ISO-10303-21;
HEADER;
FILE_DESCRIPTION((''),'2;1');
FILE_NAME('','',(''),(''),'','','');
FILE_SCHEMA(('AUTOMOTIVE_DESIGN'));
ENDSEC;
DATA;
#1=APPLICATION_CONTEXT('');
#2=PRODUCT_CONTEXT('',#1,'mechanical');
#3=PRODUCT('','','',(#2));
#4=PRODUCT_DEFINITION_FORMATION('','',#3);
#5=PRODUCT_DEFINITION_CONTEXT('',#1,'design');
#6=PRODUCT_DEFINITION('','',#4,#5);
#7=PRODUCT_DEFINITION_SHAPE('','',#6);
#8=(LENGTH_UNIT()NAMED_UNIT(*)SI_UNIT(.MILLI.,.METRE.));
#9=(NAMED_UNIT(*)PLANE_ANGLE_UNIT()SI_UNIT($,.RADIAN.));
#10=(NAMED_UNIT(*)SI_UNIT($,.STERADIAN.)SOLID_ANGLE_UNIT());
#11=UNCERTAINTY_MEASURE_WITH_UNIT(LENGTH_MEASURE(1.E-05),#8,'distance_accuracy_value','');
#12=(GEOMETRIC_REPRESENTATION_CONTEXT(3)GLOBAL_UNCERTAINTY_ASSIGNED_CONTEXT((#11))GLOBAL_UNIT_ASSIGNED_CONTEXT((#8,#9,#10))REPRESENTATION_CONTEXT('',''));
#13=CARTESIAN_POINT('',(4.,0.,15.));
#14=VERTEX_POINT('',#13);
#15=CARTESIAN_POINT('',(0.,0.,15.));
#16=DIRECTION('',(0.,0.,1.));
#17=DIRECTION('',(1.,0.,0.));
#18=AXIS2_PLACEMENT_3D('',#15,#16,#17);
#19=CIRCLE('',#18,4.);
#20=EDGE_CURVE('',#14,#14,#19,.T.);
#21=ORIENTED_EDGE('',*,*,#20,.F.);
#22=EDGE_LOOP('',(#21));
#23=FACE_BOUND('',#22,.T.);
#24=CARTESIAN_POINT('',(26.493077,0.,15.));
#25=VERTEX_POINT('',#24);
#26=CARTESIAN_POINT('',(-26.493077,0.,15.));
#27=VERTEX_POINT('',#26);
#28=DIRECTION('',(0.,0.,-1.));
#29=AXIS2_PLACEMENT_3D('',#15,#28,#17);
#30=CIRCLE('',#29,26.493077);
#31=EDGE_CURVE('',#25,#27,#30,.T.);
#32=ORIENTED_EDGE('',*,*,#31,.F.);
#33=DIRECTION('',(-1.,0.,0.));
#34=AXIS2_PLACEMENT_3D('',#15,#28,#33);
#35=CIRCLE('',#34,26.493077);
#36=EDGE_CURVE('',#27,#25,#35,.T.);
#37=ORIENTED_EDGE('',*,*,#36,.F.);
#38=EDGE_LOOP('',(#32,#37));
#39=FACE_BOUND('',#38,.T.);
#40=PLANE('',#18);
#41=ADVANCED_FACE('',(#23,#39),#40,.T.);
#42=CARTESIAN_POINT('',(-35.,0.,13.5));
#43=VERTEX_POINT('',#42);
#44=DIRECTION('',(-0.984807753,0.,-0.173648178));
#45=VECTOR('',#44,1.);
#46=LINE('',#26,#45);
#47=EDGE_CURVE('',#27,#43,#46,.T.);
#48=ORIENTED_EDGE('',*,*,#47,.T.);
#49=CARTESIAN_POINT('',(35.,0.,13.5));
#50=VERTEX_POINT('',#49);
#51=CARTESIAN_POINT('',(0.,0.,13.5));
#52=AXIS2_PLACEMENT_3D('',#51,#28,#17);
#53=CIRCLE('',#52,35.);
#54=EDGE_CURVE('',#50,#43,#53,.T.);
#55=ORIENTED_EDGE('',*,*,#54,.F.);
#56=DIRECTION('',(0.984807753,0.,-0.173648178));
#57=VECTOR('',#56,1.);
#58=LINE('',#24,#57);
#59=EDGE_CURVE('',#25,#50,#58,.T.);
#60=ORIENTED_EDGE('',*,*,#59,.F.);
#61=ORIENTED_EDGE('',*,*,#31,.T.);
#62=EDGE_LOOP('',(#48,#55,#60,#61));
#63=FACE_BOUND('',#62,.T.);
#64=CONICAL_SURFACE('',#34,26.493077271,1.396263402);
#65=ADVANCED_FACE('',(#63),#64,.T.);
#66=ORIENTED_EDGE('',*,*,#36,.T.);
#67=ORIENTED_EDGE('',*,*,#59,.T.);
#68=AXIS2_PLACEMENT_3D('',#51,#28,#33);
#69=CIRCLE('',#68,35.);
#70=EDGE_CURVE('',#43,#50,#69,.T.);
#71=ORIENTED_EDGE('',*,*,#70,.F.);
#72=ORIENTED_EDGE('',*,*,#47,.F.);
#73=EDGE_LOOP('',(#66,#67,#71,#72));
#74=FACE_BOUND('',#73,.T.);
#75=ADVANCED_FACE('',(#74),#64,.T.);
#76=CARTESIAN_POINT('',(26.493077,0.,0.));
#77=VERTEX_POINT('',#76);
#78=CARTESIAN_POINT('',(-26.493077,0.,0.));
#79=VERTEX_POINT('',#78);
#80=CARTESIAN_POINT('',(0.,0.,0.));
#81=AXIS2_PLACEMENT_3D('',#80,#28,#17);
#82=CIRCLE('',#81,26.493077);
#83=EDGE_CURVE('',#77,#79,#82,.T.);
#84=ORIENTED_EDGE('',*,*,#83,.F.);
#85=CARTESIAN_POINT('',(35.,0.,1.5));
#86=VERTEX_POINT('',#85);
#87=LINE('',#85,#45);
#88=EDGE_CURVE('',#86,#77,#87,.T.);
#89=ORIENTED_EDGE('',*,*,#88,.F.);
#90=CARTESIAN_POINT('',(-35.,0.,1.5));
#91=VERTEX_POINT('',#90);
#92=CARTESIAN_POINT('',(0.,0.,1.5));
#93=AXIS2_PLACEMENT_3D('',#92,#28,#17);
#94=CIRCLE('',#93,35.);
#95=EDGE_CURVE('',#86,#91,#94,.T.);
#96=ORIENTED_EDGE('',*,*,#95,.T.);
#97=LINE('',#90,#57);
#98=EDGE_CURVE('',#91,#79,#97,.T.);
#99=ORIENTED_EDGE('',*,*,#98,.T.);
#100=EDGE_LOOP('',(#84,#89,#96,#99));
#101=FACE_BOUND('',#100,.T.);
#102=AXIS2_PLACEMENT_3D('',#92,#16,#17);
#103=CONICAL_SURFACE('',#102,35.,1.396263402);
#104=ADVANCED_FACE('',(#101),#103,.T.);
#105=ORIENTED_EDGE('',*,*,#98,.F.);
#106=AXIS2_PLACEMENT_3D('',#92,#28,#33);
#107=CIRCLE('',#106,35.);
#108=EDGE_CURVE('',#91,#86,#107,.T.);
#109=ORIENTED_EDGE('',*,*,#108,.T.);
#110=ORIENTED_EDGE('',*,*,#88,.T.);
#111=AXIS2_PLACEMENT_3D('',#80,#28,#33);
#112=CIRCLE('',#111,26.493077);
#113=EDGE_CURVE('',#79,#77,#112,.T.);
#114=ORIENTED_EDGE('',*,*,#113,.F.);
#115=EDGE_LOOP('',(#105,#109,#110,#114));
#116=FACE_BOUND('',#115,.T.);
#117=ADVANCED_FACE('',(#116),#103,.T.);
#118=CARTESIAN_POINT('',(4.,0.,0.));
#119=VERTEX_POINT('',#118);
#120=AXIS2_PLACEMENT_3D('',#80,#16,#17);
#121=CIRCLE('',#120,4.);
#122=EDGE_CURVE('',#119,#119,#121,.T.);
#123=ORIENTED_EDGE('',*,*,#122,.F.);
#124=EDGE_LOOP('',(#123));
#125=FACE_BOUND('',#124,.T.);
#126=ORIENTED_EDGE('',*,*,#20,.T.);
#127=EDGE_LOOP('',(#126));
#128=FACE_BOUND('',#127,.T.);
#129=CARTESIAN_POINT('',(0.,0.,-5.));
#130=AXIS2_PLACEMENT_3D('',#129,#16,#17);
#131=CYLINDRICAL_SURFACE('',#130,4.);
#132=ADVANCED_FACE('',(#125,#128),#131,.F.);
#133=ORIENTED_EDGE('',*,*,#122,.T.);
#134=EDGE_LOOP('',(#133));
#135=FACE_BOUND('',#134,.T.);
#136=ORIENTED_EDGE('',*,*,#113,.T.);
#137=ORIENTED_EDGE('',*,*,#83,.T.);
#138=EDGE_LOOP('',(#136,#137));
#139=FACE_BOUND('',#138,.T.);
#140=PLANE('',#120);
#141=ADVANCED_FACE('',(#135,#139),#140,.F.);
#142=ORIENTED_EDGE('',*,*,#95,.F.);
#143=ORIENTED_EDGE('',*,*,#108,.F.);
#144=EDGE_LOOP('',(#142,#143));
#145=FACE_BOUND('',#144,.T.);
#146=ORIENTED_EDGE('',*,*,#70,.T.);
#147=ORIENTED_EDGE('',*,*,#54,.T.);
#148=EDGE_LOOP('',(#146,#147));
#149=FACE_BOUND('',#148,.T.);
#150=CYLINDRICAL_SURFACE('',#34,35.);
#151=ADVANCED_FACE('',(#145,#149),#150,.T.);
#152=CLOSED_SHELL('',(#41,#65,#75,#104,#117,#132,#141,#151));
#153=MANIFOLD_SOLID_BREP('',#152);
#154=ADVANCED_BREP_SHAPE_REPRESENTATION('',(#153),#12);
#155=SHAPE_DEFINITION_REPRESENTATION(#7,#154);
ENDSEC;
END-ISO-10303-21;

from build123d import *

# Parameters (mm, degrees)
SKETCH_2_R          = 35
EXTRUDE_1_DEPTH     = 15
SKETCH_5_R          = 4
CUT_EXTRUDE_1_DEPTH = 20


with BuildPart() as part:
    # 스케치2 → 보스-돌출1 (new body)
    with BuildSketch(Plane.XY):
        Circle(SKETCH_2_R)
    extrude(amount=EXTRUDE_1_DEPTH)

    # 스케치5 → 컷-돌출1 (cut)
    with BuildSketch(Plane.XY.offset(15)):
        Circle(SKETCH_5_R)
    extrude(amount=-CUT_EXTRUDE_1_DEPTH, mode=Mode.SUBTRACT)

    # 컷-스윕2: sweep along a curve in space
    with BuildLine() as sweep_2_path:
        ThreePointArc((35, 0, 0), (24.748737342, 24.748737342, 0), (0, 35, 0))
        ThreePointArc((0, 35, 0), (-24.748737342, 24.748737342, 0), (-35, 0, 0))
        ThreePointArc((-35, 0, 0), (-24.748737342, -24.748737342, 0), (0, -35, 0))
        ThreePointArc((0, -35, 0), (24.748737342, -24.748737342, 0), (35, 0, 0))
    # 스케치4 → 컷-스윕2 (sweep, cut)
    with BuildSketch(Plane(origin=(0, 0, 0), x_dir=(1, 0, 0), z_dir=(0, 1, 0))):
        Polygon((-35, -1.5), (-26.493077271, 0), (-35, 0), align=None)
        Polygon((-35, -15), (-26.493077271, -15), (-35, -13.5), align=None)
    sweep(path=sweep_2_path.line, mode=Mode.SUBTRACT)


solid = part.part
